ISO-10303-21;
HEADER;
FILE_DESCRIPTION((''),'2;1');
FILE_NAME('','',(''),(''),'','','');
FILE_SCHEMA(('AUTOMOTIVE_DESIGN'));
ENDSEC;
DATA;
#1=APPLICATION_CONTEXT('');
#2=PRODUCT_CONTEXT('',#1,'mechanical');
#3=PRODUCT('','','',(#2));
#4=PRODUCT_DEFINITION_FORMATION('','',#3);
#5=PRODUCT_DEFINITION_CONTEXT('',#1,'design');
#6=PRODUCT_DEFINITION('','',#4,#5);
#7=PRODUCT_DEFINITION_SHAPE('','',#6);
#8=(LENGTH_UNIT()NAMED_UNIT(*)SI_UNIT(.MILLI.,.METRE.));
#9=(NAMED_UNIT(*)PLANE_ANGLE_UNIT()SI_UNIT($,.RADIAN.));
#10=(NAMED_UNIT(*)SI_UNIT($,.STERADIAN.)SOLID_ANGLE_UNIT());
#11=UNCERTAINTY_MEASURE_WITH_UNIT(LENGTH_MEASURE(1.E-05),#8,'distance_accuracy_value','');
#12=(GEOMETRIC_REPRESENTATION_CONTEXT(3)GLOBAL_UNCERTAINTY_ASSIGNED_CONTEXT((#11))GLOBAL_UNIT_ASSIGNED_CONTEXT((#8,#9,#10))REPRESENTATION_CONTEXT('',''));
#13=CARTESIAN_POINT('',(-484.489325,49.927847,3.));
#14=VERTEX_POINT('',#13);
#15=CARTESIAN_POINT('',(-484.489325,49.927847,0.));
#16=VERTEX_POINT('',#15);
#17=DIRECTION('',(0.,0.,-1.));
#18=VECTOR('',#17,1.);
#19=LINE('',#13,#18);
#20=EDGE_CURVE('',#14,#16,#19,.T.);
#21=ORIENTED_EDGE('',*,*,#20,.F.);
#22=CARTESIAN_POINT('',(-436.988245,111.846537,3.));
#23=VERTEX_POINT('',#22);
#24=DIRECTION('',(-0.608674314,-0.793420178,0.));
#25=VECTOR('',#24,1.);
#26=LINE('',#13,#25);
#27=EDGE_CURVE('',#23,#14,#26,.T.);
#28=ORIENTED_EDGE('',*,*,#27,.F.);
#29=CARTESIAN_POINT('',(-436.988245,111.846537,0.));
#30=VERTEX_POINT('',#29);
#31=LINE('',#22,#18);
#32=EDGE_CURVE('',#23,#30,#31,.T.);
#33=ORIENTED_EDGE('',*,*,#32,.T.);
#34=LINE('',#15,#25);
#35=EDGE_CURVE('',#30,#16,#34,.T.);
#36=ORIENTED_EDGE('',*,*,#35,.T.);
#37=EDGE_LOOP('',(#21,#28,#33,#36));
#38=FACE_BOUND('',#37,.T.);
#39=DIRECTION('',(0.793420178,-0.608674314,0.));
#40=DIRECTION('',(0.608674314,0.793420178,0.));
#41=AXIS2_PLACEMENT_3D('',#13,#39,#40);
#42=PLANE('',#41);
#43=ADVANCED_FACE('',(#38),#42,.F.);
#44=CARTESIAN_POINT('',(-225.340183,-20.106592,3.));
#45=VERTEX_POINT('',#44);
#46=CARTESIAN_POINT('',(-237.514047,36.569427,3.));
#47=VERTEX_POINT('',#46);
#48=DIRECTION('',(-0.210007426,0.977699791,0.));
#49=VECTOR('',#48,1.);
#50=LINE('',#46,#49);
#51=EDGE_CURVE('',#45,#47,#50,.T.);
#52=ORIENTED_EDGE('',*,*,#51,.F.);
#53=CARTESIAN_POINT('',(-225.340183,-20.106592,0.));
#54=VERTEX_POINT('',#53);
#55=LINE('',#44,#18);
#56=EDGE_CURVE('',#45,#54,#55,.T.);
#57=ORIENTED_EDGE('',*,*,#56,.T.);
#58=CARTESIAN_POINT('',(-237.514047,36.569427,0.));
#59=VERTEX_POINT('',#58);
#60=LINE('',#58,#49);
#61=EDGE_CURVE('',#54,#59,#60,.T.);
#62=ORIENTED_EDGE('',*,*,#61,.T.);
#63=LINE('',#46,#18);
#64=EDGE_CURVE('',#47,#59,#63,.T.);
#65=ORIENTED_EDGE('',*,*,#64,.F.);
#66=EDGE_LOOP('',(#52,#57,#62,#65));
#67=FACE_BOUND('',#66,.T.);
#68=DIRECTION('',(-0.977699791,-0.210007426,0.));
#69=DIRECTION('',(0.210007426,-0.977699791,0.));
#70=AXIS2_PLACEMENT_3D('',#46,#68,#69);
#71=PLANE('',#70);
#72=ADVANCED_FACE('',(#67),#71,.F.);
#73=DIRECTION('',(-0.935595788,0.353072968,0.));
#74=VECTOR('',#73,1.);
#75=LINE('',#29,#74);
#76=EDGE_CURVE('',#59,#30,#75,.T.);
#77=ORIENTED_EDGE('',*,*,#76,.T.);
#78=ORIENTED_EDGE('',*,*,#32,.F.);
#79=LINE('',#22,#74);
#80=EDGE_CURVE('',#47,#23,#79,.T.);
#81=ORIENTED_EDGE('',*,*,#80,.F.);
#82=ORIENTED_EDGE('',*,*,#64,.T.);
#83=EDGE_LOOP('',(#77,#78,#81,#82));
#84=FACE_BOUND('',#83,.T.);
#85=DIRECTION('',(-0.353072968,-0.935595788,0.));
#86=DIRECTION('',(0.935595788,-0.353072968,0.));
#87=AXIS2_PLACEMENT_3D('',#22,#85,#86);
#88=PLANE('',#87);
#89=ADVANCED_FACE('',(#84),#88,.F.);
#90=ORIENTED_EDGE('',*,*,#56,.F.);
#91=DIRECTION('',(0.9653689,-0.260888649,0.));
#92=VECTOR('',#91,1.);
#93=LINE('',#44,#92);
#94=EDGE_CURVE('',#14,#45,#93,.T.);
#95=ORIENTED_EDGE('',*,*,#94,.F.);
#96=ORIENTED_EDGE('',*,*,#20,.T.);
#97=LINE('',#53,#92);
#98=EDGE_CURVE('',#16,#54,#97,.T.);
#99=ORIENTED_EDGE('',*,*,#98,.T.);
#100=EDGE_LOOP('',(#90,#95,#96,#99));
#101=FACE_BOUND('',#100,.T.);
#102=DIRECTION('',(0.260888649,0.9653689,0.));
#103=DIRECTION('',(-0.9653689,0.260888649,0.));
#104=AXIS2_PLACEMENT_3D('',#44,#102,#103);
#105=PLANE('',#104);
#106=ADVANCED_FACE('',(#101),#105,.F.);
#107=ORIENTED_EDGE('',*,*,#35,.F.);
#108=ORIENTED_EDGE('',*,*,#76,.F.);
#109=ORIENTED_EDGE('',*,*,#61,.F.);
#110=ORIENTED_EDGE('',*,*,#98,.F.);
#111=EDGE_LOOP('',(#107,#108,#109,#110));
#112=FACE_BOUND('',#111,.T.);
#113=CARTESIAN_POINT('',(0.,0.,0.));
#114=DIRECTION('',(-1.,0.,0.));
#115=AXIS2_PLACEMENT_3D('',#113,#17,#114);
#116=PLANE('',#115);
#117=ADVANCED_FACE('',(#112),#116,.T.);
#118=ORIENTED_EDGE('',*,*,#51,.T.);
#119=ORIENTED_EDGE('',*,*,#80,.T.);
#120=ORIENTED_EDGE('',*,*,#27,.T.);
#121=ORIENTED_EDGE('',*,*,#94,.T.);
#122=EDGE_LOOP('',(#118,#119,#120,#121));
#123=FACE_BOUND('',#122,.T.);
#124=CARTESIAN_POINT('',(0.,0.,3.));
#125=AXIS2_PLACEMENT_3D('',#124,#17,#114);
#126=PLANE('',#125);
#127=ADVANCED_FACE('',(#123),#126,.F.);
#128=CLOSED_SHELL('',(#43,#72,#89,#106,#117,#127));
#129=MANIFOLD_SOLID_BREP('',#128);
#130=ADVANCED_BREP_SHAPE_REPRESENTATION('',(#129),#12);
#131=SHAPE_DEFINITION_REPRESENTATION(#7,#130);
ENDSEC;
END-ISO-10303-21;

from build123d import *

# Parameters (mm, degrees)
BOSS_EXTRU_1_DEPTH = 3


with BuildPart() as part:
    # Esquisse1 → Boss.-Extru.1 (new body)
    with BuildSketch(Plane.XY):
        Polygon((-484.489325307, 49.927847112), (-436.988244517, 111.846536808), (-237.514047494, 36.56942714), (-225.340182798, -20.106592227), align=None)
    extrude(amount=BOSS_EXTRU_1_DEPTH)


solid = part.part
